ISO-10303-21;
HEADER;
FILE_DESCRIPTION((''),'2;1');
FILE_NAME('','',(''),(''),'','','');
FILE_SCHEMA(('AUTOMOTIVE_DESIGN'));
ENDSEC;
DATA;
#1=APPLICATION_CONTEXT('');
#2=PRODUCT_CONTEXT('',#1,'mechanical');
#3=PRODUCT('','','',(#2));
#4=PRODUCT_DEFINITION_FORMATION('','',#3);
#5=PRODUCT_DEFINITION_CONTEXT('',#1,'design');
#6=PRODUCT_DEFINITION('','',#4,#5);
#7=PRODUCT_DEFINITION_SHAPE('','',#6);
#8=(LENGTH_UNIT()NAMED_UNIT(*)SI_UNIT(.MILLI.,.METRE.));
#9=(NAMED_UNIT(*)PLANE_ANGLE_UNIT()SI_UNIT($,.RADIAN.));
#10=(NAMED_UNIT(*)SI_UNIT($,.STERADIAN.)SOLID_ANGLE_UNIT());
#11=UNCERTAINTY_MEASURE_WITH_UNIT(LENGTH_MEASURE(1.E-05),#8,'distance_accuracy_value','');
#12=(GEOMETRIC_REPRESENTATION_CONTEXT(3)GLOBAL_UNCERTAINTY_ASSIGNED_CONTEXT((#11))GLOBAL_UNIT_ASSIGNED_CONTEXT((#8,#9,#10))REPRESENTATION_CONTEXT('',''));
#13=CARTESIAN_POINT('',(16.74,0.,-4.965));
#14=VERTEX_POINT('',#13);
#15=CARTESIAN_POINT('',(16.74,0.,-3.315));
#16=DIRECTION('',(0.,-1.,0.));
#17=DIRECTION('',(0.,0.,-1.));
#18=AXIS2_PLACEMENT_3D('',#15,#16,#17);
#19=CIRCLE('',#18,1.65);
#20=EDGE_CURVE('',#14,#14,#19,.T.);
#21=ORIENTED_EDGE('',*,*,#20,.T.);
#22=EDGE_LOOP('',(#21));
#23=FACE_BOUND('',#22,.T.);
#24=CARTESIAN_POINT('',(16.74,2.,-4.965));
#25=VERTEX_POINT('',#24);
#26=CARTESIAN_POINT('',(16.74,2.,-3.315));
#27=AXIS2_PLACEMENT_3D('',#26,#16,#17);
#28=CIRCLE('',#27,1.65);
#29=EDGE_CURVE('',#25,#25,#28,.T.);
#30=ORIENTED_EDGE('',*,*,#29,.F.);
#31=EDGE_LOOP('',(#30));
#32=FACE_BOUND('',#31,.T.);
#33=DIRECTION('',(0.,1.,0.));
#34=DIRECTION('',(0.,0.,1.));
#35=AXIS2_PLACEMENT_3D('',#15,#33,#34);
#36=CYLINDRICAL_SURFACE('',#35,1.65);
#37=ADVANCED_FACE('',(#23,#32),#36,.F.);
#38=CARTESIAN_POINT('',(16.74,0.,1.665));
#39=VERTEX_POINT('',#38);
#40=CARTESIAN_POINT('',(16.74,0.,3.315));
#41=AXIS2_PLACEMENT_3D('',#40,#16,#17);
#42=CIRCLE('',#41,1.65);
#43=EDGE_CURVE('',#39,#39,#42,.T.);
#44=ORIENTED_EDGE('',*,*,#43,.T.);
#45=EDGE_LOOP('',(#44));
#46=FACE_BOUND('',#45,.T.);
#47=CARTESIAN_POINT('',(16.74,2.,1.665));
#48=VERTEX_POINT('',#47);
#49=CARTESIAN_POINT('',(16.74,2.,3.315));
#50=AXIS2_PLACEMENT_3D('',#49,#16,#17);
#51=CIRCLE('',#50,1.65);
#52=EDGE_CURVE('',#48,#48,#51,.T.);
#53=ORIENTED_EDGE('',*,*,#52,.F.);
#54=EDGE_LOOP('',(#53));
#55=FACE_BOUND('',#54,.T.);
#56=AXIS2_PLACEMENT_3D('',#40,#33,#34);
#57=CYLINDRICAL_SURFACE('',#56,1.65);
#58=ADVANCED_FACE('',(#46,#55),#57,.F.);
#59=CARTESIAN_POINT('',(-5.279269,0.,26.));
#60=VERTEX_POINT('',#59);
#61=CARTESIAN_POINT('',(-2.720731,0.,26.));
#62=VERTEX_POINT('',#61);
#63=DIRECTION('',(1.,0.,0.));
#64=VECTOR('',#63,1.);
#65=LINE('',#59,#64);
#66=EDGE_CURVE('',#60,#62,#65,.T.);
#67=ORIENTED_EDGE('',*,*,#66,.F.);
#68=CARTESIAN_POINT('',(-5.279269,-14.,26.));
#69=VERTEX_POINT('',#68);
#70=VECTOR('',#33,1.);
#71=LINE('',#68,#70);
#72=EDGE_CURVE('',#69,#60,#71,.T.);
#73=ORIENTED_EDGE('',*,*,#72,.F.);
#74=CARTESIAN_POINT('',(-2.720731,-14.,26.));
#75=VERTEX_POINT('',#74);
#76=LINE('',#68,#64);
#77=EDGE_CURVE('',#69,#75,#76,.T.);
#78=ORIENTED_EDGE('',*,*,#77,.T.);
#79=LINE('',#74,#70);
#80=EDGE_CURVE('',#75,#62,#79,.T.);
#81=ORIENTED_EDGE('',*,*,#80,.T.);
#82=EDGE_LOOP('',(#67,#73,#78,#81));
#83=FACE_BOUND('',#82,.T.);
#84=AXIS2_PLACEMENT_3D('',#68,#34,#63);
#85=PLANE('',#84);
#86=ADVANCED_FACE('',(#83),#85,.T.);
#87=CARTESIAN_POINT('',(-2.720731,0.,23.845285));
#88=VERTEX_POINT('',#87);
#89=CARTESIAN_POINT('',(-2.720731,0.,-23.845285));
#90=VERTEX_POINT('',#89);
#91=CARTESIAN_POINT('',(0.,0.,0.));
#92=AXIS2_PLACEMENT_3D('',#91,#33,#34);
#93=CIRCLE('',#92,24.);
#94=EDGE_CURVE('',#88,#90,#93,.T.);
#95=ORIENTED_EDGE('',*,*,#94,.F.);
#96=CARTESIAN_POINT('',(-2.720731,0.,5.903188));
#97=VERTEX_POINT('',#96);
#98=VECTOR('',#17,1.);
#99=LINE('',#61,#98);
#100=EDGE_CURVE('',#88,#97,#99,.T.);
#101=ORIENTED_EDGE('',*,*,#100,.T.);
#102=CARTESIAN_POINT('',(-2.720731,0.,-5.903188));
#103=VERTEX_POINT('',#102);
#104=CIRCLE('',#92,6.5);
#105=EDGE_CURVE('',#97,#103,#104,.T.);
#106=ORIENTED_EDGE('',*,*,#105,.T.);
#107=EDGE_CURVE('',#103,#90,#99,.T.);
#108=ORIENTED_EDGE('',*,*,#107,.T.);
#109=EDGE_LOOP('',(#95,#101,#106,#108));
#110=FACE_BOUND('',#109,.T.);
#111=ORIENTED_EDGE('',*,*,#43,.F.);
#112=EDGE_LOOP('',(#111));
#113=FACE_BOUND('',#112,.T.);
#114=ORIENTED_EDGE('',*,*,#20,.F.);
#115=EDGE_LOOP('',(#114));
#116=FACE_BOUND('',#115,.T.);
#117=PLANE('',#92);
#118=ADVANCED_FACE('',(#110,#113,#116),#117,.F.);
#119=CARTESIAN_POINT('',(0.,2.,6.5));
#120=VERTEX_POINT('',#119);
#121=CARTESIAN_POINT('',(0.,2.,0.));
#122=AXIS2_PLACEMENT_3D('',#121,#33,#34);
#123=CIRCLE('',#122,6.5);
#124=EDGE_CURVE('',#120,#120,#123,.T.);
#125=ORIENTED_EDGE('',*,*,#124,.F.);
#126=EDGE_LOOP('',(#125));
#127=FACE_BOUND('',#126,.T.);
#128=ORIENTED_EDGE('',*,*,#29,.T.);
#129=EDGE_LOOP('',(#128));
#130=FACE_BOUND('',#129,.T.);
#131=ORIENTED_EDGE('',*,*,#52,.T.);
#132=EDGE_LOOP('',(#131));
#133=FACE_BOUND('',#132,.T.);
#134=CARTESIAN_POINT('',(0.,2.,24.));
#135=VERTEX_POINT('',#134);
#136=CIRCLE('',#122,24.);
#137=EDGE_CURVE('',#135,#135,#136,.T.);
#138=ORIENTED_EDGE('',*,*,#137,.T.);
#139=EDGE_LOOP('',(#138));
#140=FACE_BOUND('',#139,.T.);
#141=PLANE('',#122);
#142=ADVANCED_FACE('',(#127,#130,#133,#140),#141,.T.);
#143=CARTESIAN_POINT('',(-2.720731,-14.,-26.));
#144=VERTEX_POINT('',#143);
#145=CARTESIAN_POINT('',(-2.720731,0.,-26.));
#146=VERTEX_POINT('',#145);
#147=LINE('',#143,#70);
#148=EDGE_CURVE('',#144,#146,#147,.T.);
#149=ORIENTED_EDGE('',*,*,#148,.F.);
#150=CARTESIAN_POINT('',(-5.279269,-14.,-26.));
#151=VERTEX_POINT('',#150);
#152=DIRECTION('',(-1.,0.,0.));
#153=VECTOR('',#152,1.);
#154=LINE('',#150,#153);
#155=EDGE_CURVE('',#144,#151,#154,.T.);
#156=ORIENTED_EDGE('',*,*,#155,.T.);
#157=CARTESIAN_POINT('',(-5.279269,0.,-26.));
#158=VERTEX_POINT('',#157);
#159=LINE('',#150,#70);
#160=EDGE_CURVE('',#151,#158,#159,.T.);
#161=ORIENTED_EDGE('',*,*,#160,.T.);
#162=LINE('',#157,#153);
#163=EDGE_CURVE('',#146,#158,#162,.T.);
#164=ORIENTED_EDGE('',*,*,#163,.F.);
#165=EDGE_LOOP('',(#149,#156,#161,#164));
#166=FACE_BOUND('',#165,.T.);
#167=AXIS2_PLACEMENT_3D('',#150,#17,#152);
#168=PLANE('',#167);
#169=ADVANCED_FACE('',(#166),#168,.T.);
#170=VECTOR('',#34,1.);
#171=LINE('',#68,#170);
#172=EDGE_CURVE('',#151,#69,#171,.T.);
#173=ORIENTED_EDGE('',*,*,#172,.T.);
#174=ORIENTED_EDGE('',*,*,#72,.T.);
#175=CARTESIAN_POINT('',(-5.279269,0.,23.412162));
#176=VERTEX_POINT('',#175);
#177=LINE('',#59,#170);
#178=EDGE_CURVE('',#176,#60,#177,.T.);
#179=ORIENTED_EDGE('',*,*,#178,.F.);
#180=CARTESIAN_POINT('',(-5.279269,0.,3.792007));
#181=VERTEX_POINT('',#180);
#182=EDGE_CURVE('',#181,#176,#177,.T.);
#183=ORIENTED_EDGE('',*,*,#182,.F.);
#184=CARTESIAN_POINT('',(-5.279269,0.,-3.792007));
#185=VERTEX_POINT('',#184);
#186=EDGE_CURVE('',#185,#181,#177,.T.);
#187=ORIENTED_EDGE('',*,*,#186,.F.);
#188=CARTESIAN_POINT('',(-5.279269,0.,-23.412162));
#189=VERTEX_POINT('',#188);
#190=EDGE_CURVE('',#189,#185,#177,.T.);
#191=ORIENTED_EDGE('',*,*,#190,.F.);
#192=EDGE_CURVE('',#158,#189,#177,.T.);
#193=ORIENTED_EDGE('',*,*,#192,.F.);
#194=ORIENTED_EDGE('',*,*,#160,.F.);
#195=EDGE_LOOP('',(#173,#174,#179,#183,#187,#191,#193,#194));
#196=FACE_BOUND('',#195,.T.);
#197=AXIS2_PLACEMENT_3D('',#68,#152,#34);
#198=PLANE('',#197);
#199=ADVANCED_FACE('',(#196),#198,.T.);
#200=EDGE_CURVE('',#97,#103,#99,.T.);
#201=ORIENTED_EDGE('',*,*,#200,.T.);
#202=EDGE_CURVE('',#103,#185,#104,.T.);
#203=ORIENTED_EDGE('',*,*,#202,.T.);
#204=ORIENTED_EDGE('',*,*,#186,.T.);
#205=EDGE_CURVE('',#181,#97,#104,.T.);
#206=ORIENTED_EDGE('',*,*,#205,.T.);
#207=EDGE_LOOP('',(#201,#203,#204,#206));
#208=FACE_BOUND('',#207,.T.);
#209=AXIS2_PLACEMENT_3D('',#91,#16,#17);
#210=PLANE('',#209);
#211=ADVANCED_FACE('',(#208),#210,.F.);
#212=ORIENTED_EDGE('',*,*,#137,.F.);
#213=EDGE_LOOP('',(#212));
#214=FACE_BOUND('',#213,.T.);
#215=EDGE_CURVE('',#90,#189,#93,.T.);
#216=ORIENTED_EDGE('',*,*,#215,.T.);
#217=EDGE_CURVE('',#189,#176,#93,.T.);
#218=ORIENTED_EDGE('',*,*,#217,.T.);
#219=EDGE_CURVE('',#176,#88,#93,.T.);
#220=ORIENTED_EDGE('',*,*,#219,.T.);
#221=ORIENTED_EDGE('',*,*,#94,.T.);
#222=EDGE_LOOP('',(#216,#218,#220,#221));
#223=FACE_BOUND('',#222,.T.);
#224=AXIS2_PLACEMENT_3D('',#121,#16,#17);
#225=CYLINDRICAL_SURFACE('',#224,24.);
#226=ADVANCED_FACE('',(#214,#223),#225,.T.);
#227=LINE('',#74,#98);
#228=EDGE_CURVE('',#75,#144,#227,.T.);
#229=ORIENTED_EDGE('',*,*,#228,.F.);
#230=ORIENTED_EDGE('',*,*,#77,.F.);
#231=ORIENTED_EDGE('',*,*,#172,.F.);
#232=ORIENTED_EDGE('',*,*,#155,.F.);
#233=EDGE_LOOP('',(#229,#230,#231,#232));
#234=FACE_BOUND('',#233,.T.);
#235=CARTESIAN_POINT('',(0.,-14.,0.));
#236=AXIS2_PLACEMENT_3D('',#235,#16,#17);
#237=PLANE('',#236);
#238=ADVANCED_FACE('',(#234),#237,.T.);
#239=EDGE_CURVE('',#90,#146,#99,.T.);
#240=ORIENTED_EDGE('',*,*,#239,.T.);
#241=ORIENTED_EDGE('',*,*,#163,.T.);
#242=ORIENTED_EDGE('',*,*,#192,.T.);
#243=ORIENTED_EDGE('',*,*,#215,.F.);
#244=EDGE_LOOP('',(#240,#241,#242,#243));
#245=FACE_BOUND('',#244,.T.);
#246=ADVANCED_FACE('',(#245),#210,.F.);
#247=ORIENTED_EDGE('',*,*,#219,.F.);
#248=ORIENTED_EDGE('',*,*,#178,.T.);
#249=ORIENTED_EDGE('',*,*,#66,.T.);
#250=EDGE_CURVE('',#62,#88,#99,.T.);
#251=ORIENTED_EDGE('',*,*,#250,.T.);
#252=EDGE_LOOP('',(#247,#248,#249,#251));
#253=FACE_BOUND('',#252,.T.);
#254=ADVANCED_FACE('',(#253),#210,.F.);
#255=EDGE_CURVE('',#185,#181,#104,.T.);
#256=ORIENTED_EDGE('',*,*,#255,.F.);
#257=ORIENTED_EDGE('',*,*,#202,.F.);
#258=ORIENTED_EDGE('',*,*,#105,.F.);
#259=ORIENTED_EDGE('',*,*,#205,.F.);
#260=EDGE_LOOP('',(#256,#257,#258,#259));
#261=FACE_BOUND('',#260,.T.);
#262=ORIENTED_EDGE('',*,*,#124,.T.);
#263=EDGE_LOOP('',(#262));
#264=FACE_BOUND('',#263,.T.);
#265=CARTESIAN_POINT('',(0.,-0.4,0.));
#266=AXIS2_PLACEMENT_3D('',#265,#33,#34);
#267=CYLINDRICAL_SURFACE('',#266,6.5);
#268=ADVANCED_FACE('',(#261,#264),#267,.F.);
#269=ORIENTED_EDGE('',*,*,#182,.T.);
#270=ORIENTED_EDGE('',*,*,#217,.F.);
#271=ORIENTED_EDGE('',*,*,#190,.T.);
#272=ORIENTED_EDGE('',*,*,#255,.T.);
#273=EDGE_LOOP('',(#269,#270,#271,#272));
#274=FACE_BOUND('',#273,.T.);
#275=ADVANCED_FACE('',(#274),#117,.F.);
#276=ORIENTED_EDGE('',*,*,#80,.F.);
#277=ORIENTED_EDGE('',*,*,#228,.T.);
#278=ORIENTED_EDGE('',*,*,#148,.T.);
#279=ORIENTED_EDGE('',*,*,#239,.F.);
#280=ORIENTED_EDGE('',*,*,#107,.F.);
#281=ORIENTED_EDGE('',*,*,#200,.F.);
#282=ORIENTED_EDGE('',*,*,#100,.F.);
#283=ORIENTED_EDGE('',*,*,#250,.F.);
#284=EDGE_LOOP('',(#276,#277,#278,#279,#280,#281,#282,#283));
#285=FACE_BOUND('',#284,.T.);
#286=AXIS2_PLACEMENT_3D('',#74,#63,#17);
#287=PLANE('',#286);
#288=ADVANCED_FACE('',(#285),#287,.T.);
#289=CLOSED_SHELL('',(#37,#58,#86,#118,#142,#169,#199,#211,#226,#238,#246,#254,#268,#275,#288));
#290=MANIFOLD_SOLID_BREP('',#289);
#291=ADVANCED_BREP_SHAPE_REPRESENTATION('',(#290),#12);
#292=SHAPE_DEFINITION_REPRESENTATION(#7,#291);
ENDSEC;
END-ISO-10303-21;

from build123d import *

# Parameters (mm, degrees)
SKETCH1_R           = 24
BOSS_EXTRUDE1_DEPTH = 2
SKETCH6_R           = 6.5
CUT_EXTRUDE4_DEPTH  = 2.4
SKETCH11_R          = 1.65
CUT_EXTRUDE8_DEPTH  = 35
SKETCH12_W          = 2.558537978
SKETCH12_H          = 52
BOSS_EXTRUDE2_DEPTH = 14


with BuildPart() as part:
    # Sketch1 → Boss-Extrude1 (new body)
    with BuildSketch(Plane(origin=(0, 0, 0), x_dir=(1, 0, 0), z_dir=(0, 1, 0))):
        with Locations(Location((0, 0, 0), (0, 0, 270))):
            Circle(SKETCH1_R)
    extrude(amount=BOSS_EXTRUDE1_DEPTH)

    # Sketch6 → Cut-Extrude4 (cut)
    with BuildSketch(Plane(origin=(0, 2, 0), x_dir=(1, 0, 0), z_dir=(0, 1, 0))):
        with Locations(Location((0, 0, 0), (0, 0, 270))):
            Circle(SKETCH6_R)
    extrude(amount=-CUT_EXTRUDE4_DEPTH, mode=Mode.SUBTRACT)

    # Sketch11 → Cut-Extrude8 (cut, through all)
    with BuildSketch(Plane.XZ.offset(-2)):
        with Locations(Location((16.74, 3.315, 0), (0, 0, 270))):
            Circle(SKETCH11_R)
        with Locations(Location((16.74, -3.315, 0), (0, 0, 270))):
            Circle(SKETCH11_R)
    extrude(amount=CUT_EXTRUDE8_DEPTH, mode=Mode.SUBTRACT)

    # Sketch12 → Boss-Extrude2 (add)
    with BuildSketch(Plane(origin=(0, 0, 0), x_dir=(1, 0, 0), z_dir=(0, 1, 0))):
        with Locations((-4, 0)):
            Rectangle(SKETCH12_W, SKETCH12_H)
    extrude(amount=-BOSS_EXTRUDE2_DEPTH)


solid = part.part
